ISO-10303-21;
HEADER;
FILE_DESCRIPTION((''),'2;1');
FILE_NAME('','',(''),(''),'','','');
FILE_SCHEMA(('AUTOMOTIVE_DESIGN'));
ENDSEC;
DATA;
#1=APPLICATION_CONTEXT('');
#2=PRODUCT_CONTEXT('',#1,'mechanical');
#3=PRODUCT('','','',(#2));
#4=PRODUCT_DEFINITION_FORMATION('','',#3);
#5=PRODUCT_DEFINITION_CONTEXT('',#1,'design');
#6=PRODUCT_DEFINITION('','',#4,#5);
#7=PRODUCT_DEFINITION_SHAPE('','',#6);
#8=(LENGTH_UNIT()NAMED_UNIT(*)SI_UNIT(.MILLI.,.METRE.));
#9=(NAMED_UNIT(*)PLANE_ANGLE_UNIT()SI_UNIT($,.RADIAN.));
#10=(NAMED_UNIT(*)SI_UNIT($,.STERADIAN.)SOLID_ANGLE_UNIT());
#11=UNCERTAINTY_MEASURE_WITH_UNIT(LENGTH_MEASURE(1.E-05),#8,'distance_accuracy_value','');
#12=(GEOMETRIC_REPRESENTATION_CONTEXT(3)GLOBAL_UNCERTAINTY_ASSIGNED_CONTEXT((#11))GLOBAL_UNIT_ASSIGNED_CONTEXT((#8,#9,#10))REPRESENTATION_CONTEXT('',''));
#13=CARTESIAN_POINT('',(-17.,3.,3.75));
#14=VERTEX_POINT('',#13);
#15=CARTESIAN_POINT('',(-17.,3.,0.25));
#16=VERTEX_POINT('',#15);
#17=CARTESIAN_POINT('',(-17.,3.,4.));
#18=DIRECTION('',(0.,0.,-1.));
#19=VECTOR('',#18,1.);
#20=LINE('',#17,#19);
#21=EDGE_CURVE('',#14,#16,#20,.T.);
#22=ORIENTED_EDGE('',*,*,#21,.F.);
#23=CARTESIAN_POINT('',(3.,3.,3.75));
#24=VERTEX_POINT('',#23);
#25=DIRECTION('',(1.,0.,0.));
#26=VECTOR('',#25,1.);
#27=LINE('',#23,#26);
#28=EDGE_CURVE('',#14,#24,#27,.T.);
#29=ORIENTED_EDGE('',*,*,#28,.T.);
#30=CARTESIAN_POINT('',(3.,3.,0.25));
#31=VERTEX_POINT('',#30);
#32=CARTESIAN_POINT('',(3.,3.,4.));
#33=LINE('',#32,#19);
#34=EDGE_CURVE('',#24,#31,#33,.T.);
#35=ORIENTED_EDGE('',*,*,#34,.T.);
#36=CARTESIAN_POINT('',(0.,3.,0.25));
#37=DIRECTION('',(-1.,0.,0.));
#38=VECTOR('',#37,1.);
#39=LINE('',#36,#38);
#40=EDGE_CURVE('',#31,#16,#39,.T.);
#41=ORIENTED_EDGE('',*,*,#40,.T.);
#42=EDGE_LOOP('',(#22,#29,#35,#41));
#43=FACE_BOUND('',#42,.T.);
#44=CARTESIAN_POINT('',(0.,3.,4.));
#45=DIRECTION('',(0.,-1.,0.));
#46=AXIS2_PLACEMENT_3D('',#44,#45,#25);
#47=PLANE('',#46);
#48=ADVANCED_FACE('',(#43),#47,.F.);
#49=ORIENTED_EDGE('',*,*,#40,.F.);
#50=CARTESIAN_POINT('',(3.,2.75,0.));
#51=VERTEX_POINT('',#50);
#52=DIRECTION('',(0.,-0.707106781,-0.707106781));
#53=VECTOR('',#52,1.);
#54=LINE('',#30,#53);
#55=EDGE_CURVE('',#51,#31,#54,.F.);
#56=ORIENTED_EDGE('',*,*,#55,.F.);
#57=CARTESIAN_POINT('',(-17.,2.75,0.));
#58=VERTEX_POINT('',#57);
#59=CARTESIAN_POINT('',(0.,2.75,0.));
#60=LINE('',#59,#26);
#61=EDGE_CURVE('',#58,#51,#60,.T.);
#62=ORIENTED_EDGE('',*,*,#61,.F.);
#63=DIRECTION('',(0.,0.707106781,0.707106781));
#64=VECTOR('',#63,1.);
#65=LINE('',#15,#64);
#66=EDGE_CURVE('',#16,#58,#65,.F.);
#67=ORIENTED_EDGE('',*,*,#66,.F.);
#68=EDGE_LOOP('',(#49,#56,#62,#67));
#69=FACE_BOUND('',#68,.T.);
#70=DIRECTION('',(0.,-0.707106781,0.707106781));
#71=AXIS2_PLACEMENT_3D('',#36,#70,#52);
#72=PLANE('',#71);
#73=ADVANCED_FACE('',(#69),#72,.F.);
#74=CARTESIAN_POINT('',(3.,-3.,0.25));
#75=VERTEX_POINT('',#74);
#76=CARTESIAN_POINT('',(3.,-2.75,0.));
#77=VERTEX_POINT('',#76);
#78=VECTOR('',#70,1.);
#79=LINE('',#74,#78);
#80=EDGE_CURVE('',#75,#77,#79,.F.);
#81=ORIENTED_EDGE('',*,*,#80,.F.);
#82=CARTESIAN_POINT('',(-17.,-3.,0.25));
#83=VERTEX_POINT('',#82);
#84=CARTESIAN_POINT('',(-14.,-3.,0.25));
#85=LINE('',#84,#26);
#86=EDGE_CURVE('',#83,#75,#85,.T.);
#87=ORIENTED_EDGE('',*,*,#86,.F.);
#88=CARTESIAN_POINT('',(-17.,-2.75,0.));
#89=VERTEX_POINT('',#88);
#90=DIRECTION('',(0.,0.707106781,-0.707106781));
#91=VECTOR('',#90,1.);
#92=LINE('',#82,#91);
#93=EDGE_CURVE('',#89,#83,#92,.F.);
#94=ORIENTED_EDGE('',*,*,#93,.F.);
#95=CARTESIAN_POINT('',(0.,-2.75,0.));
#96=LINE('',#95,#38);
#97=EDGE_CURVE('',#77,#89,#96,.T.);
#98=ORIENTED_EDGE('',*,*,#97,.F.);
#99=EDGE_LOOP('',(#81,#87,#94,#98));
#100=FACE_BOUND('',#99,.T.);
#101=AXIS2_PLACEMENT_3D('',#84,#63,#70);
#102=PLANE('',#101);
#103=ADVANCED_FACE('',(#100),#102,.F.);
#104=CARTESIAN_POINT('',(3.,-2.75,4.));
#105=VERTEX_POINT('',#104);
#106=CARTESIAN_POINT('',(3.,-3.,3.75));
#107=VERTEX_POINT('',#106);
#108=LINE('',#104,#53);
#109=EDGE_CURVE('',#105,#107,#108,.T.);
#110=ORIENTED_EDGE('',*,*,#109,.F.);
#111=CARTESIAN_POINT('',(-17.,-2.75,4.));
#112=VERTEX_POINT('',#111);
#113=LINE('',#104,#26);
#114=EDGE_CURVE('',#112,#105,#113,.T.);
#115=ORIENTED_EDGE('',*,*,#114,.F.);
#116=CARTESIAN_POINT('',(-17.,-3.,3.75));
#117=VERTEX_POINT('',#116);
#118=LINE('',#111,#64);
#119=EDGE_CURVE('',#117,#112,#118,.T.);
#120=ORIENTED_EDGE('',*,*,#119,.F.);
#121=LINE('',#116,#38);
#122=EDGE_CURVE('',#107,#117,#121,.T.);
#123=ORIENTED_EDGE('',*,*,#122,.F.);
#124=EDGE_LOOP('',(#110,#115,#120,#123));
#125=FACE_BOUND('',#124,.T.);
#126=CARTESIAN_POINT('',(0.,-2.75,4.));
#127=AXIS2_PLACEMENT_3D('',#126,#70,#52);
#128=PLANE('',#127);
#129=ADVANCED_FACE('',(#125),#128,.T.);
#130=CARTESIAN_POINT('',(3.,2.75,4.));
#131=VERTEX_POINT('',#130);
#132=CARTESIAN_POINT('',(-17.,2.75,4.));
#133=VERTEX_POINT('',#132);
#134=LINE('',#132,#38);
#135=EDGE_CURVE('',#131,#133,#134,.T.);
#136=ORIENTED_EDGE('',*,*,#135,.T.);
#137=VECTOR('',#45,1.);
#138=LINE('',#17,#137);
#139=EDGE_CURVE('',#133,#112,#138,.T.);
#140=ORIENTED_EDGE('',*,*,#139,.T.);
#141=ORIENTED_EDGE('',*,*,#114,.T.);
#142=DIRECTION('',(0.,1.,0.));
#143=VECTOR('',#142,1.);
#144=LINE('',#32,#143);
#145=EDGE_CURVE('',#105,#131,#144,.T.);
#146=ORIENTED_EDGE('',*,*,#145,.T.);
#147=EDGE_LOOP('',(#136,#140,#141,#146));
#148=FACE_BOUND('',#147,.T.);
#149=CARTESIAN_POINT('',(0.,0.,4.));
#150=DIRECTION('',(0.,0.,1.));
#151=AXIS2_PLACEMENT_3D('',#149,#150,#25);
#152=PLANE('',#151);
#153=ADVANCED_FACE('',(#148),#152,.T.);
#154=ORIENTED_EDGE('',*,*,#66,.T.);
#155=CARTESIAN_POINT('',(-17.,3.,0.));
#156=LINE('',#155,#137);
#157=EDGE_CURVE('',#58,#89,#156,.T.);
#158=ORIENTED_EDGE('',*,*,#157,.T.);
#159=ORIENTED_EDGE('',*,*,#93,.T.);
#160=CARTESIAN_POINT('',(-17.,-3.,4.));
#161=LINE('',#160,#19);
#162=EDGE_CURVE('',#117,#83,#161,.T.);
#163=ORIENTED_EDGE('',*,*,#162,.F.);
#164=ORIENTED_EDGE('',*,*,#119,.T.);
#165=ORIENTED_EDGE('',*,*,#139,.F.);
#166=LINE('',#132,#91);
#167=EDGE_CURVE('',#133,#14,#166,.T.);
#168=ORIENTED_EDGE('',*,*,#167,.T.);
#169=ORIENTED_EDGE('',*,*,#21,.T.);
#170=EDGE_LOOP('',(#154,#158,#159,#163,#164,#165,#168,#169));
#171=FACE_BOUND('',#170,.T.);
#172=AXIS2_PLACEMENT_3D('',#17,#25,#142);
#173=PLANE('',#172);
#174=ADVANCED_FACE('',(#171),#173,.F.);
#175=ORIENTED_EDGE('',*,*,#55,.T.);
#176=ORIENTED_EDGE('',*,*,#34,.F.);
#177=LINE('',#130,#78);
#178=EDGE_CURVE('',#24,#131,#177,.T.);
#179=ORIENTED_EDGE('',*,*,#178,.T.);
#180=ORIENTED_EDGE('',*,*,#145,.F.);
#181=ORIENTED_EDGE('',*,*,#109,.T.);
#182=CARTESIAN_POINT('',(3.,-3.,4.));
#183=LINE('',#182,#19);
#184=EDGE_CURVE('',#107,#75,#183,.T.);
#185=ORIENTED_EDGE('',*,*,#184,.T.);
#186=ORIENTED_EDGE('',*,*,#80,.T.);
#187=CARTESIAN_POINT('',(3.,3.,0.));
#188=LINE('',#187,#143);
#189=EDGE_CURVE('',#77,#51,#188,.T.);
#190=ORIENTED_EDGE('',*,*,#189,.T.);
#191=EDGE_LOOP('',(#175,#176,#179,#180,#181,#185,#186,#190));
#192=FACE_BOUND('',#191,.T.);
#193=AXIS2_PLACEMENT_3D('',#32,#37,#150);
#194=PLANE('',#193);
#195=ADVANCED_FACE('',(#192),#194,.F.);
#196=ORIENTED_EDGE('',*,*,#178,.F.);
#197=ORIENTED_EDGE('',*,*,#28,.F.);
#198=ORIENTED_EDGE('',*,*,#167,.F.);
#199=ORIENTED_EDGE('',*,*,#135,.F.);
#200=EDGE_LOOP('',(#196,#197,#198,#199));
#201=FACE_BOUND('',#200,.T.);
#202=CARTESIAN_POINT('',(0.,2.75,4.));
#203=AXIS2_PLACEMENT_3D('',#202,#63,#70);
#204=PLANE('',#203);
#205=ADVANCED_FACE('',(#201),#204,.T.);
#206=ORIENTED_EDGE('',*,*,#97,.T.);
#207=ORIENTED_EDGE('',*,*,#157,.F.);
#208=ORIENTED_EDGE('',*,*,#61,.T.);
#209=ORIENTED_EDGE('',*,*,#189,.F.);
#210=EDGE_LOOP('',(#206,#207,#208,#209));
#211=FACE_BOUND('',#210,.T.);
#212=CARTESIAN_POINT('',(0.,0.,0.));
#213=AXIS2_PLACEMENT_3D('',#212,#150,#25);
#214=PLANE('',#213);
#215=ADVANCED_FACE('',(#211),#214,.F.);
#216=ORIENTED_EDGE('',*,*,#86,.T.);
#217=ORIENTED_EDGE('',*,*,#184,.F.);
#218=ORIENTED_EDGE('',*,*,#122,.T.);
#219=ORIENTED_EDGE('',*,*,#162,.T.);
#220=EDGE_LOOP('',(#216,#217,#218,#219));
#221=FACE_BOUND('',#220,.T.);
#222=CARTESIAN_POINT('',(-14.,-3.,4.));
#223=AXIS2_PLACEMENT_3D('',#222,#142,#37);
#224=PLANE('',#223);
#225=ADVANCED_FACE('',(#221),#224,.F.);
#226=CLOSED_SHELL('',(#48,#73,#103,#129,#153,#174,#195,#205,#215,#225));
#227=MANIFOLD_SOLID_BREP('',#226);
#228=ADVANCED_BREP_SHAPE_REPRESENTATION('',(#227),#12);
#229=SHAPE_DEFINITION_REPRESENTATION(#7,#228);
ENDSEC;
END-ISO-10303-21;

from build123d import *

# Parameters (mm, degrees)
EXTRUDE1_DEPTH = 4
SKETCH2_W      = 20
SKETCH2_H      = 6
EXTRUDE2_DEPTH = 4
CHAMFER1_SIZE  = 0.25


with BuildPart() as part:
    # Sketch1 → Extrude1 (new body)
    with BuildSketch(Plane.XY):
        with BuildLine():
            Line((0, 3), (-14, 3))
            ThreePointArc((-14, 3), (-17, 0), (-14, -3))
            Line((-14, -3), (0, -3))
            ThreePointArc((0, -3), (3, 0), (0, 3))
        make_face()
    extrude(amount=EXTRUDE1_DEPTH)

    # Sketch2 → Extrude2 (add)
    with BuildSketch(Plane.XY):
        with Locations((-7, 0)):
            Rectangle(SKETCH2_W, SKETCH2_H)
    extrude(amount=EXTRUDE2_DEPTH)

    # Chamfer1
    chamfer1_edges = [part.edges().sort_by_distance(p)[0] for p in [
        (-7, -3, 4),
        (-7, -3, 0),
        (-7, 3, 0),
        (-7, 3, 4),
    ]]
    chamfer(chamfer1_edges, length=CHAMFER1_SIZE)


solid = part.part
